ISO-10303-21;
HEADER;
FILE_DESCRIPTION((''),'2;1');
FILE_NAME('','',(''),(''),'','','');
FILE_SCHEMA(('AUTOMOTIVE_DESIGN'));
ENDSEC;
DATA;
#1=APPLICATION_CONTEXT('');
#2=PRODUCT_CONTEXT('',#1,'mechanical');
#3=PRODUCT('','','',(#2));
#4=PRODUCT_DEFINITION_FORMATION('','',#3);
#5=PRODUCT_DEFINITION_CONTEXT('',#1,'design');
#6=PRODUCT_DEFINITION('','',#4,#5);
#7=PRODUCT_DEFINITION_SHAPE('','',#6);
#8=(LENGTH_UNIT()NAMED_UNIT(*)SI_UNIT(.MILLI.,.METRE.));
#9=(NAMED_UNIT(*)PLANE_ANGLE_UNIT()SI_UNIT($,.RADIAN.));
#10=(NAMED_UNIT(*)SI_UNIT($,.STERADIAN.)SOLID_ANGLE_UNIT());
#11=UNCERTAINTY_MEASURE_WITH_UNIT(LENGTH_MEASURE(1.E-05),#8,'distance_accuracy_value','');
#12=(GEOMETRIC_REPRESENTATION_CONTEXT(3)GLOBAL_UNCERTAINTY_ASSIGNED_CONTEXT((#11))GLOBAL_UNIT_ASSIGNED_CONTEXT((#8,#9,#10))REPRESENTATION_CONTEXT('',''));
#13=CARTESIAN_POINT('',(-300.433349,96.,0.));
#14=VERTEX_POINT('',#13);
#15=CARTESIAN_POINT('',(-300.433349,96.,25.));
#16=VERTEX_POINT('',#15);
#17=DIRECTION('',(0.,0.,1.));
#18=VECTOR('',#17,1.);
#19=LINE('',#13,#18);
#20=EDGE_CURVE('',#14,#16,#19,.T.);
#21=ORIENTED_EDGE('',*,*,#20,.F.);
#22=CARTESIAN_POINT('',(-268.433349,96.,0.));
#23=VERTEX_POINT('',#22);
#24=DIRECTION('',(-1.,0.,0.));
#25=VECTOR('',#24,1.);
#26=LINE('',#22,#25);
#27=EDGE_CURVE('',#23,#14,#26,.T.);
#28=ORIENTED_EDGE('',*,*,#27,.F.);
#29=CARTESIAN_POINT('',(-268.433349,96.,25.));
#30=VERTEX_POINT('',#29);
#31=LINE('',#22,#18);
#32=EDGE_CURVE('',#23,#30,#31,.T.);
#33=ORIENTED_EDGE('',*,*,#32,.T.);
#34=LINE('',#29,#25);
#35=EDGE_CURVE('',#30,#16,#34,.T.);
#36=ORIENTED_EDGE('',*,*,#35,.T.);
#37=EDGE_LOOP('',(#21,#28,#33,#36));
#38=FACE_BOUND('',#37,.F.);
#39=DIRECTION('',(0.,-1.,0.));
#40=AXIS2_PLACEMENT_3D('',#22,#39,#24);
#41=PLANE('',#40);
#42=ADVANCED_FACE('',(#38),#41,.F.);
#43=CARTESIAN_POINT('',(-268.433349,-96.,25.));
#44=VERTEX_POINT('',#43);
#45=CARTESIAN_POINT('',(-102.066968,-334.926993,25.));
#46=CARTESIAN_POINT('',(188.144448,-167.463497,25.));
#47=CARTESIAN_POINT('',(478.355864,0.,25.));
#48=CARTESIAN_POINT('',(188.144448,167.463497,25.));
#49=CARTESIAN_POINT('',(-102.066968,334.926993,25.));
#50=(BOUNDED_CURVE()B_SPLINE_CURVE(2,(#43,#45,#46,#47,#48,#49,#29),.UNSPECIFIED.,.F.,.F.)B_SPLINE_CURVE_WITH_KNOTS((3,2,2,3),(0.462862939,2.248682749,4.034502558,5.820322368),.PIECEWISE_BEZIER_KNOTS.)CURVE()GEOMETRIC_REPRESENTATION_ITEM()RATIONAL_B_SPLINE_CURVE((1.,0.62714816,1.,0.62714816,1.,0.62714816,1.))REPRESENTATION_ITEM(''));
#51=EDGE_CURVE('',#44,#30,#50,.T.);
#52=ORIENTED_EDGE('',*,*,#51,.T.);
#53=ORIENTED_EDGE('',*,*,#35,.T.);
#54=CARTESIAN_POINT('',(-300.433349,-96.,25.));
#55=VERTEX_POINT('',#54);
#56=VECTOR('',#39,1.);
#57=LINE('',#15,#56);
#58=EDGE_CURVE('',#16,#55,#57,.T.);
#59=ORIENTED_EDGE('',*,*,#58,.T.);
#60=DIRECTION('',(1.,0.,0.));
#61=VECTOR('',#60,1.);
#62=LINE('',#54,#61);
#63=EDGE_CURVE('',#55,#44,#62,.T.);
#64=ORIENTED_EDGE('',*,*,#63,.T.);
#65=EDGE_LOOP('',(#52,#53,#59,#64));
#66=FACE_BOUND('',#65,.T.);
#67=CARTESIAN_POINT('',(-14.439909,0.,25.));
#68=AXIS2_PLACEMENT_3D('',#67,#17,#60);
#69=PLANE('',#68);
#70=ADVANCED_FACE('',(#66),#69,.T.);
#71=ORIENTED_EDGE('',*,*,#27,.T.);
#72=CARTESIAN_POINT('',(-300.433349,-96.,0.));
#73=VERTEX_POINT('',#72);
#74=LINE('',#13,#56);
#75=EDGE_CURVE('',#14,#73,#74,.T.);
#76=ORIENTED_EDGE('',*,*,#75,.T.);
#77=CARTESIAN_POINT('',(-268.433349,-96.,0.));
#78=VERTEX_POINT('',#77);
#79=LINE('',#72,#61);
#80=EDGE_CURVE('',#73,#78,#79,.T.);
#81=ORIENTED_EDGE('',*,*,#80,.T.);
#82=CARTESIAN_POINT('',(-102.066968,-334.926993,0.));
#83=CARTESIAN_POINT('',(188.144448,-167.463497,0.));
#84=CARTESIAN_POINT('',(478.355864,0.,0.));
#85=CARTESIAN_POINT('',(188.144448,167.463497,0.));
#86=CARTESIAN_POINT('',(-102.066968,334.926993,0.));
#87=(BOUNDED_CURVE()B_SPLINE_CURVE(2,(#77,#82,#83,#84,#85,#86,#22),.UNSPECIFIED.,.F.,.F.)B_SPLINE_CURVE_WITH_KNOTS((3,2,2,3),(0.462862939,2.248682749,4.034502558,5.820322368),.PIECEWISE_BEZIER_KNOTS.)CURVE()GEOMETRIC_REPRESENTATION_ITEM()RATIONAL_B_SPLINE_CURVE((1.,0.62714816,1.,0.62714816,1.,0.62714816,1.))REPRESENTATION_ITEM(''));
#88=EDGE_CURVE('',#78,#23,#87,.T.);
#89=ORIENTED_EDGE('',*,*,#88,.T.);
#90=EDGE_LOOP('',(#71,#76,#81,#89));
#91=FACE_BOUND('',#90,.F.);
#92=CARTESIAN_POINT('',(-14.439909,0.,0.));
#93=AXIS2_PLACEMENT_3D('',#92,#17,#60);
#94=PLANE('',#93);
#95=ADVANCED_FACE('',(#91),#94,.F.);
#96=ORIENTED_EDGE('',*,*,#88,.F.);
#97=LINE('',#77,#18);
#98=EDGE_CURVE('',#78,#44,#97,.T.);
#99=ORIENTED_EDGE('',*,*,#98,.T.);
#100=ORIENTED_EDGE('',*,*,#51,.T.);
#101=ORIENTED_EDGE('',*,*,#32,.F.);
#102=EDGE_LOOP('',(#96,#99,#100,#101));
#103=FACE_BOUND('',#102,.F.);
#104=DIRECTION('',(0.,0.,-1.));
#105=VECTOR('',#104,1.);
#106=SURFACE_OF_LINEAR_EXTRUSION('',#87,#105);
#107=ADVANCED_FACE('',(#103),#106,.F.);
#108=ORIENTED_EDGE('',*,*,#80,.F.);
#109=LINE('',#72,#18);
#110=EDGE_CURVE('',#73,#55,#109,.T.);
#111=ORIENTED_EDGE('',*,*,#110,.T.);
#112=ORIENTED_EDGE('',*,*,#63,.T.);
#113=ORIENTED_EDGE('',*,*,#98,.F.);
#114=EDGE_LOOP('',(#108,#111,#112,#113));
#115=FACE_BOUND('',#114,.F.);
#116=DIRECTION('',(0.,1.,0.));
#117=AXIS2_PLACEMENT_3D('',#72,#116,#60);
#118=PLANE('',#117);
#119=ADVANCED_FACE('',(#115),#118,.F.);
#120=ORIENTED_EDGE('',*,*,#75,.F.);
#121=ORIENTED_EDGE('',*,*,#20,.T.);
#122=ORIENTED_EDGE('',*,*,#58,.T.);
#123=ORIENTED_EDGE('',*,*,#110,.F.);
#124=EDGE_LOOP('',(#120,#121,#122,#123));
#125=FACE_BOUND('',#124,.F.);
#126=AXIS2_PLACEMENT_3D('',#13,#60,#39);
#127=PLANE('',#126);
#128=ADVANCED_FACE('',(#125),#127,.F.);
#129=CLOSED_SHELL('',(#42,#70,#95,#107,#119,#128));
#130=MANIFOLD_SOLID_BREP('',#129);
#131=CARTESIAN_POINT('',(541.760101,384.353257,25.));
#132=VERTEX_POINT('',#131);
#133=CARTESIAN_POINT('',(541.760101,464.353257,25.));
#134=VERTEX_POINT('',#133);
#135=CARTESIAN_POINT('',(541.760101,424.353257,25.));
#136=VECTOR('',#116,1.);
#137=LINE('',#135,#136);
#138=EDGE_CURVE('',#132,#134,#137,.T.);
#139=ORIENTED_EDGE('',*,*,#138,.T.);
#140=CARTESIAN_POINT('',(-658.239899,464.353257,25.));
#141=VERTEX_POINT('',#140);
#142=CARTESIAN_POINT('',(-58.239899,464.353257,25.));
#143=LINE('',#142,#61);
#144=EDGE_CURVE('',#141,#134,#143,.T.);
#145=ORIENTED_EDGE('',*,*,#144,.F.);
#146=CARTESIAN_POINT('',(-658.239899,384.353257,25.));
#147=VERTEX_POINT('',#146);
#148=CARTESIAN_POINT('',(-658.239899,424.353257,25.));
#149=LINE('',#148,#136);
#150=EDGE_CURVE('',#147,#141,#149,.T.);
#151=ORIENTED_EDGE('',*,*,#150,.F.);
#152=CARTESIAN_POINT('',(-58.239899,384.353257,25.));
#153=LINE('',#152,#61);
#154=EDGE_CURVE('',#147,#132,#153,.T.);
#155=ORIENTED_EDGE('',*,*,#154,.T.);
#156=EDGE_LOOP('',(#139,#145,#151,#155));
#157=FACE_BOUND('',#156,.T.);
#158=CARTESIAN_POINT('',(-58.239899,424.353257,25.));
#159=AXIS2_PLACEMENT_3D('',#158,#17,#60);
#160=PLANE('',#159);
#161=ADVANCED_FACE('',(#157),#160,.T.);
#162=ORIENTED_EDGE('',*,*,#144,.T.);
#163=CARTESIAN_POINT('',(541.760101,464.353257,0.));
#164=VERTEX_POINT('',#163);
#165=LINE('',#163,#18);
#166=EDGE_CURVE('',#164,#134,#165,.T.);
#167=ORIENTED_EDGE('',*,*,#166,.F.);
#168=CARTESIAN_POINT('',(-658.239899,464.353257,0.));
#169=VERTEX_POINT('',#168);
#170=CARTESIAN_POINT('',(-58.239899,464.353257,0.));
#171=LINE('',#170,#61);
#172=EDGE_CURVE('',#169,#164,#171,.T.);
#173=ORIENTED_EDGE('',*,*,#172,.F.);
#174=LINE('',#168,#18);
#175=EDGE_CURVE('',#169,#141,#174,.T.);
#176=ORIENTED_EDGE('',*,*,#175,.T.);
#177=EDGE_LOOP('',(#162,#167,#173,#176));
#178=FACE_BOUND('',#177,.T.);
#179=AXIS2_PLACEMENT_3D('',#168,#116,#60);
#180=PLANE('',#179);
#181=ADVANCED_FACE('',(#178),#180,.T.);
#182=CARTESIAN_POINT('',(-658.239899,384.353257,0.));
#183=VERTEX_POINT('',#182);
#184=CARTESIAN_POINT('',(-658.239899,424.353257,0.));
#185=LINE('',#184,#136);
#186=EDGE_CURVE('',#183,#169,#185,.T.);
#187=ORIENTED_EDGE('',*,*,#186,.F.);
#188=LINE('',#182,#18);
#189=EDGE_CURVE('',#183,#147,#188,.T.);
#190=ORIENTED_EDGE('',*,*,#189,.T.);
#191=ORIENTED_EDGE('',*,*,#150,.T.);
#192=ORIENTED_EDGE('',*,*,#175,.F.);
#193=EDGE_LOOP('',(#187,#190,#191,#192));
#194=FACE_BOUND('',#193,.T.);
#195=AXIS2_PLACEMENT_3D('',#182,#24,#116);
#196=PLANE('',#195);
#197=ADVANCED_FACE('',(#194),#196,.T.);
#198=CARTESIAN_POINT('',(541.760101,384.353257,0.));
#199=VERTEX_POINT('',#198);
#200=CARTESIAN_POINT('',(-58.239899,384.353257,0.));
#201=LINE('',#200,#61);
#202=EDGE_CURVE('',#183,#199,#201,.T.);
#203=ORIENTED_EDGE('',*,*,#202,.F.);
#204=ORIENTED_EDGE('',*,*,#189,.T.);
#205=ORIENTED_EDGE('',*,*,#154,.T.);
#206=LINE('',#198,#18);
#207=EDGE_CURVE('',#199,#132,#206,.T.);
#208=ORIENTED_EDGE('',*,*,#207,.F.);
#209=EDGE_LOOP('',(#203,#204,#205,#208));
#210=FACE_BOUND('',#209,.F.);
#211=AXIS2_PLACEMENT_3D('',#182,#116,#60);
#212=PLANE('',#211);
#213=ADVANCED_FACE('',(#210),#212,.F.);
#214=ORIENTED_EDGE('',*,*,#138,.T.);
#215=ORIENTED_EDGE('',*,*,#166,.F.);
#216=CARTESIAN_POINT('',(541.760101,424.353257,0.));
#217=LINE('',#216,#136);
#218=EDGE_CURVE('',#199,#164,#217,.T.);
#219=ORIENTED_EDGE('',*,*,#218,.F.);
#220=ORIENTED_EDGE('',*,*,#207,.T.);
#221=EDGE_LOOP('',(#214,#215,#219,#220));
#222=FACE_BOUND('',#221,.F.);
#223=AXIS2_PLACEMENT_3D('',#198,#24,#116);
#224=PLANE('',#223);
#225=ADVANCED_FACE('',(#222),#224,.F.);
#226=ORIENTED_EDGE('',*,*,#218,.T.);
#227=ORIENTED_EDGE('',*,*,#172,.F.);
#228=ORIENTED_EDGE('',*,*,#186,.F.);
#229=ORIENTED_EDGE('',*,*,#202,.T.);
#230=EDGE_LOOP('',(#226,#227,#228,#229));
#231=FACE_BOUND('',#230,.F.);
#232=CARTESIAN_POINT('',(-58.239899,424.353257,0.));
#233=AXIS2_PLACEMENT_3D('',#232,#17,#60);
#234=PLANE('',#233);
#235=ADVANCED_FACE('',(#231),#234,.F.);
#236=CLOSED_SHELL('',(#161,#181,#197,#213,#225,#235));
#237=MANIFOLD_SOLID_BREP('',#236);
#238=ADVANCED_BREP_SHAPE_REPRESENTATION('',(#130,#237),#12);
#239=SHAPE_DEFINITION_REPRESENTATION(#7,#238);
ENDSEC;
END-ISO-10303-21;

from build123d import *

# Parameters (mm, degrees)
F0_W     = 1200
F0_H     = 80
F1_DEPTH = 25
F3_DEPTH = 25


with BuildPart() as f1:
    # F0 (on Top) → F1 (new body)
    with BuildSketch(Plane.XY):
        with Locations((-58.239898998, 424.3532568216)):
            Rectangle(F0_W, F0_H)
    extrude(amount=F1_DEPTH)


with BuildPart() as f3:
    # F2 (on Top) → F3 (new body)
    with BuildSketch(Plane.XY):
        with BuildLine():
            Line((-300.4333491818, -96), (-268.4333491818, -96))
            add(Edge.make_bspline(
                [(-268.4333491818, -96), (-102.0669678637, -334.9269931502), (188.1444480536, -167.4634965751), (478.3558639709, 0), (188.1444480536, 167.4634965751), (-102.0669678637, 334.9269931502), (-268.4333491818, 96)],
                knots=[0.4628629392, 0.4628629392, 0.4628629392, 2.2486827488, 2.2486827488, 4.0345025584, 4.0345025584, 5.820322368, 5.820322368, 5.820322368], degree=2, weights=[1, 0.6271481602, 1, 0.6271481602, 1, 0.6271481602, 1]))
            Line((-268.4333491818, 96), (-300.4333491818, 96))
            Line((-300.4333491818, 96), (-300.4333491818, -96))
        make_face()
    extrude(amount=F3_DEPTH)


solid = Compound([f1.part, f3.part])
